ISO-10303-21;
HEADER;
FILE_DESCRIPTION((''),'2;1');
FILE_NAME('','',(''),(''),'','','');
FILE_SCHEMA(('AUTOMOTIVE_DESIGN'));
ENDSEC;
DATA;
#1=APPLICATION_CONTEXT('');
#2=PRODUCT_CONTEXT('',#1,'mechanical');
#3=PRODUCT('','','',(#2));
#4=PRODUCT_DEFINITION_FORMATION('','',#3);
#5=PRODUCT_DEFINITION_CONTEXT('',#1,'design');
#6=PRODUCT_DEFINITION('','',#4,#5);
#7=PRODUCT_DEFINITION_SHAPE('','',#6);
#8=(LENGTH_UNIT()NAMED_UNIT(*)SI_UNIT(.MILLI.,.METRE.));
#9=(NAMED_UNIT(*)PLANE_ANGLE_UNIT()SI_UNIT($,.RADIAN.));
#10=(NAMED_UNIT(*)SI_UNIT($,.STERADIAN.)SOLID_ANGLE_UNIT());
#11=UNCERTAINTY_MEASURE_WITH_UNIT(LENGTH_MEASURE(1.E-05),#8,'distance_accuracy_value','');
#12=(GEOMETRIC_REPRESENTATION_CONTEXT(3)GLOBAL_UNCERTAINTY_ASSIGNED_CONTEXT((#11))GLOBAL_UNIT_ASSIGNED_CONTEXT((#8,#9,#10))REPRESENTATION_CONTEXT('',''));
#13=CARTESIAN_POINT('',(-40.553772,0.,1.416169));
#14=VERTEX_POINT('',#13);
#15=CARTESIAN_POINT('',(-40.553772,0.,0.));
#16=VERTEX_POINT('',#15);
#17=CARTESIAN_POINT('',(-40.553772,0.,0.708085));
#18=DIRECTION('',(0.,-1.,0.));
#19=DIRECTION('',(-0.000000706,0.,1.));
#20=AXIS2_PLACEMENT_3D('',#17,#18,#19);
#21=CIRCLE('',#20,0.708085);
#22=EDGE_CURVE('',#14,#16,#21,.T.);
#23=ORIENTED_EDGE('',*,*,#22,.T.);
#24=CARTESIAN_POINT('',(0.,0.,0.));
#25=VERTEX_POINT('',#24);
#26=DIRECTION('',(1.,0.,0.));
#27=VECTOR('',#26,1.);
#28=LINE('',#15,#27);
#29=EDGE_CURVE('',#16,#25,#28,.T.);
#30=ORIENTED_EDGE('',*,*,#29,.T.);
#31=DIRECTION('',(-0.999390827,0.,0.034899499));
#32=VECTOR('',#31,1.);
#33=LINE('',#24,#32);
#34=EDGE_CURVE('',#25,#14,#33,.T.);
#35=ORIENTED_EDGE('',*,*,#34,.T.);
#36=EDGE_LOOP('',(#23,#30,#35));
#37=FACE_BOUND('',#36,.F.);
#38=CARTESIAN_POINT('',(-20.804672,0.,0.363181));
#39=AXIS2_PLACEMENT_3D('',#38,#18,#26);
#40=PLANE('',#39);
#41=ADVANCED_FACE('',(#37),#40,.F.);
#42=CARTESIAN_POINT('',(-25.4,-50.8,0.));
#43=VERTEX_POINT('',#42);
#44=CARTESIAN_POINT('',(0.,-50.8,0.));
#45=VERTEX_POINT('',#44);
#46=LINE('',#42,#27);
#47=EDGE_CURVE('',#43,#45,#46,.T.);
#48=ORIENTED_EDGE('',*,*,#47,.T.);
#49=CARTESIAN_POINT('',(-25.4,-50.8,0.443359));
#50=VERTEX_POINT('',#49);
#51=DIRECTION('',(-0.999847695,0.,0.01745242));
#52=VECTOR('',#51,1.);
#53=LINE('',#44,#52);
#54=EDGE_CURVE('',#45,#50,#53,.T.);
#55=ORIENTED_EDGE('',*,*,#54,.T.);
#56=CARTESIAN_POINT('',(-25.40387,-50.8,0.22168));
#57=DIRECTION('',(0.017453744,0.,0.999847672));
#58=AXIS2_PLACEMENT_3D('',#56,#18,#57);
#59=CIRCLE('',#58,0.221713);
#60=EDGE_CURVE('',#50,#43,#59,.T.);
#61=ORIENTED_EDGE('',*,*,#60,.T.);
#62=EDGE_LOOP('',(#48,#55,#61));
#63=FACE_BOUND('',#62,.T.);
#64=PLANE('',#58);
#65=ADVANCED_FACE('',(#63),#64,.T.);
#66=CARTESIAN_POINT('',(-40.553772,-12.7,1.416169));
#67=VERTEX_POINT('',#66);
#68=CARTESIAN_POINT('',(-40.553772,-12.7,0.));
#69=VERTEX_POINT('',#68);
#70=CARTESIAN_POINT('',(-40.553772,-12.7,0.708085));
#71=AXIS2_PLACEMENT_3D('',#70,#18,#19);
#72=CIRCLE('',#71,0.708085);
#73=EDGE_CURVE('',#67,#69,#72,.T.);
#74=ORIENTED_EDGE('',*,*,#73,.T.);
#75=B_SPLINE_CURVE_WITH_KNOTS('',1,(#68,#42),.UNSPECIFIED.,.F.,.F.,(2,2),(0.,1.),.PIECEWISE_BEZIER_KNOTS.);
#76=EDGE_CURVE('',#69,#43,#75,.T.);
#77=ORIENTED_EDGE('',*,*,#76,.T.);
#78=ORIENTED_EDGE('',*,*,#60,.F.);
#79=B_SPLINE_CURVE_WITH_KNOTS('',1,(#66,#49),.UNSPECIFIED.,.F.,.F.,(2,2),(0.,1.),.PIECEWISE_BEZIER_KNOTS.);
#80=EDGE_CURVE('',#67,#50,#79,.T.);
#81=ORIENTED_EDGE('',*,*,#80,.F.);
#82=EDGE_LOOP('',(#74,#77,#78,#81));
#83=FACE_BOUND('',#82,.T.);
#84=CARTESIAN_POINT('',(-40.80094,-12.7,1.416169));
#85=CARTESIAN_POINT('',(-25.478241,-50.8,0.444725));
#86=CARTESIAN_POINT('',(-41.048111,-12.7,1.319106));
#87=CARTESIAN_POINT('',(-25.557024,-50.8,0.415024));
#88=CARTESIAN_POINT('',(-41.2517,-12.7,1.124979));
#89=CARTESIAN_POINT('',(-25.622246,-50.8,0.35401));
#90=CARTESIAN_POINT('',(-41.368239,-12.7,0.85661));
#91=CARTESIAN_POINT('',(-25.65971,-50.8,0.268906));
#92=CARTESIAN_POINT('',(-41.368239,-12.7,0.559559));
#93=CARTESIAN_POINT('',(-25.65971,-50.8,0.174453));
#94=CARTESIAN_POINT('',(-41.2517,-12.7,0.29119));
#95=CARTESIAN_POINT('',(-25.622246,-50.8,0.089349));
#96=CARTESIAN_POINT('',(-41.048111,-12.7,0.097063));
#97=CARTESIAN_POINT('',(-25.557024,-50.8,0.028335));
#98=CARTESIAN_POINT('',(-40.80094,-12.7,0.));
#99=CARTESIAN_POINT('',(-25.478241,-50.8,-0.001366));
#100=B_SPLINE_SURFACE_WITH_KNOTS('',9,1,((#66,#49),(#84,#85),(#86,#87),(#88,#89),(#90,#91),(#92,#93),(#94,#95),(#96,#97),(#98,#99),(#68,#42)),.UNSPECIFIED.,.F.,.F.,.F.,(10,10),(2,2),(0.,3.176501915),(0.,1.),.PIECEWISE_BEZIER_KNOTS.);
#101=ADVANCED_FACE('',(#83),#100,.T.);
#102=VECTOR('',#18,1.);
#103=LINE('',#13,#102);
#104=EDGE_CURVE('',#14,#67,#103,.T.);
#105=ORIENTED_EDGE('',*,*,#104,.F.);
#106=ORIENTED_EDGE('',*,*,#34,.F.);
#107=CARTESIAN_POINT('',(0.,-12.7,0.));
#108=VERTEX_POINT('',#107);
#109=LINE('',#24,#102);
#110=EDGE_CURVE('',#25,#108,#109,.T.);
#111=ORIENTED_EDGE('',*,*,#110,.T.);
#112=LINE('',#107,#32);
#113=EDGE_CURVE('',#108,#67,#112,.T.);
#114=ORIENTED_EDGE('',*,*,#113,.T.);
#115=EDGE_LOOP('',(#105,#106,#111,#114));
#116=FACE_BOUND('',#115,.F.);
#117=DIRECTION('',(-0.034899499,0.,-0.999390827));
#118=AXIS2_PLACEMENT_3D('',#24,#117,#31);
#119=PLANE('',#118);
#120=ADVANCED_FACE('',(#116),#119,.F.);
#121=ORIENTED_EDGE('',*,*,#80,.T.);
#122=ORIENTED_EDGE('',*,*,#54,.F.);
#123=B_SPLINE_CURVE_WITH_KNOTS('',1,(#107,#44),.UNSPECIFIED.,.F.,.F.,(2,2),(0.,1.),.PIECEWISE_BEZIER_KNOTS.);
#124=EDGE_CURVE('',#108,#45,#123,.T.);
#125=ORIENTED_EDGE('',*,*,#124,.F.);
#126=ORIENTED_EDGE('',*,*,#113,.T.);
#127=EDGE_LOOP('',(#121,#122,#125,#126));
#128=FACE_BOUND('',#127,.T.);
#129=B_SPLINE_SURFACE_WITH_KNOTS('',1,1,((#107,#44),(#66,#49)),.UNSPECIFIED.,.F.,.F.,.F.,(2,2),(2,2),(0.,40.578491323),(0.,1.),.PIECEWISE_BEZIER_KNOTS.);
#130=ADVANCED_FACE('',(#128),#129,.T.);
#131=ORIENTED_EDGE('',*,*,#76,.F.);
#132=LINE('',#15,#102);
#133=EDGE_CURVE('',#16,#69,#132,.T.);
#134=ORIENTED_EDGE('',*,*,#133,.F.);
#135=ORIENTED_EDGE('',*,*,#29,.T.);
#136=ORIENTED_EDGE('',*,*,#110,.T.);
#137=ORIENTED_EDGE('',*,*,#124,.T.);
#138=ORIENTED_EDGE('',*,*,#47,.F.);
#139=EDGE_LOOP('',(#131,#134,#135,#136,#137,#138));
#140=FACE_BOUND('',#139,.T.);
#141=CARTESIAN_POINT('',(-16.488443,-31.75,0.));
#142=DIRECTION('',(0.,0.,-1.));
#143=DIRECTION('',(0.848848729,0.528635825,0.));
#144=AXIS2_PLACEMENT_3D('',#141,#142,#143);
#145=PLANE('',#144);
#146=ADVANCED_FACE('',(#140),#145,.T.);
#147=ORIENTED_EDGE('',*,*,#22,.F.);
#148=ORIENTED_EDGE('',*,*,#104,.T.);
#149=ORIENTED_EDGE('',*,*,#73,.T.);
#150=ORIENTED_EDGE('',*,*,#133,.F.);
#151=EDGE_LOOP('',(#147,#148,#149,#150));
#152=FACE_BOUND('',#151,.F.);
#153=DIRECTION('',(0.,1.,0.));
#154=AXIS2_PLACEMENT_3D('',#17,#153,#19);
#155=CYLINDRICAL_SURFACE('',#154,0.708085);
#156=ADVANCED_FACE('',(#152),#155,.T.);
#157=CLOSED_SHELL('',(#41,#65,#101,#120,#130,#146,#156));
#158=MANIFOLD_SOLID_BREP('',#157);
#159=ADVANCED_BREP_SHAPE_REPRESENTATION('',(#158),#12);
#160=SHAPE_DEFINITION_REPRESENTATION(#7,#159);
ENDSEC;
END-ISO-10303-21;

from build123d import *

# Parameters (mm, degrees)
F2_DEPTH = 12.7


with BuildPart() as f2:
    # F0 (on Front) → F2 (new body)
    with BuildSketch(Plane.XZ):
        with BuildLine():
            Line((-40.553772, 0), (0, 0))
            Line((0, 0), (-40.553772, 1.416169))
            ThreePointArc((-40.553772, 1.416169), (-41.261856, 0.708084), (-40.553772, 0))
        make_face()
    extrude(amount=F2_DEPTH)

    # F2_face (on face) → F4 section 0
    with BuildSketch(Plane(origin=(-27.404725, -12.7, 0.478357), x_dir=(1, 0, 0), z_dir=(0, -1, 0))):
        with BuildLine():
            Line((-13.149047, -0.478357), (27.404725, -0.478357))
            Line((27.404725, -0.478357), (-13.149047, 0.937812))
            ThreePointArc((-13.149047, 0.937812), (-13.857131, 0.229727), (-13.149047, -0.478357))
        make_face()
    # F3 (on offset) → F4 section 1
    with BuildSketch(Plane.XZ.offset(50.8)):
        with BuildLine():
            Line((-25.4, 0), (0, 0))
            Line((0, 0), (-25.4, 0.443359))
            ThreePointArc((-25.4, 0.443359), (-25.625583, 0.221679), (-25.4, 0))
        make_face()
    loft()


solid = f2.part
